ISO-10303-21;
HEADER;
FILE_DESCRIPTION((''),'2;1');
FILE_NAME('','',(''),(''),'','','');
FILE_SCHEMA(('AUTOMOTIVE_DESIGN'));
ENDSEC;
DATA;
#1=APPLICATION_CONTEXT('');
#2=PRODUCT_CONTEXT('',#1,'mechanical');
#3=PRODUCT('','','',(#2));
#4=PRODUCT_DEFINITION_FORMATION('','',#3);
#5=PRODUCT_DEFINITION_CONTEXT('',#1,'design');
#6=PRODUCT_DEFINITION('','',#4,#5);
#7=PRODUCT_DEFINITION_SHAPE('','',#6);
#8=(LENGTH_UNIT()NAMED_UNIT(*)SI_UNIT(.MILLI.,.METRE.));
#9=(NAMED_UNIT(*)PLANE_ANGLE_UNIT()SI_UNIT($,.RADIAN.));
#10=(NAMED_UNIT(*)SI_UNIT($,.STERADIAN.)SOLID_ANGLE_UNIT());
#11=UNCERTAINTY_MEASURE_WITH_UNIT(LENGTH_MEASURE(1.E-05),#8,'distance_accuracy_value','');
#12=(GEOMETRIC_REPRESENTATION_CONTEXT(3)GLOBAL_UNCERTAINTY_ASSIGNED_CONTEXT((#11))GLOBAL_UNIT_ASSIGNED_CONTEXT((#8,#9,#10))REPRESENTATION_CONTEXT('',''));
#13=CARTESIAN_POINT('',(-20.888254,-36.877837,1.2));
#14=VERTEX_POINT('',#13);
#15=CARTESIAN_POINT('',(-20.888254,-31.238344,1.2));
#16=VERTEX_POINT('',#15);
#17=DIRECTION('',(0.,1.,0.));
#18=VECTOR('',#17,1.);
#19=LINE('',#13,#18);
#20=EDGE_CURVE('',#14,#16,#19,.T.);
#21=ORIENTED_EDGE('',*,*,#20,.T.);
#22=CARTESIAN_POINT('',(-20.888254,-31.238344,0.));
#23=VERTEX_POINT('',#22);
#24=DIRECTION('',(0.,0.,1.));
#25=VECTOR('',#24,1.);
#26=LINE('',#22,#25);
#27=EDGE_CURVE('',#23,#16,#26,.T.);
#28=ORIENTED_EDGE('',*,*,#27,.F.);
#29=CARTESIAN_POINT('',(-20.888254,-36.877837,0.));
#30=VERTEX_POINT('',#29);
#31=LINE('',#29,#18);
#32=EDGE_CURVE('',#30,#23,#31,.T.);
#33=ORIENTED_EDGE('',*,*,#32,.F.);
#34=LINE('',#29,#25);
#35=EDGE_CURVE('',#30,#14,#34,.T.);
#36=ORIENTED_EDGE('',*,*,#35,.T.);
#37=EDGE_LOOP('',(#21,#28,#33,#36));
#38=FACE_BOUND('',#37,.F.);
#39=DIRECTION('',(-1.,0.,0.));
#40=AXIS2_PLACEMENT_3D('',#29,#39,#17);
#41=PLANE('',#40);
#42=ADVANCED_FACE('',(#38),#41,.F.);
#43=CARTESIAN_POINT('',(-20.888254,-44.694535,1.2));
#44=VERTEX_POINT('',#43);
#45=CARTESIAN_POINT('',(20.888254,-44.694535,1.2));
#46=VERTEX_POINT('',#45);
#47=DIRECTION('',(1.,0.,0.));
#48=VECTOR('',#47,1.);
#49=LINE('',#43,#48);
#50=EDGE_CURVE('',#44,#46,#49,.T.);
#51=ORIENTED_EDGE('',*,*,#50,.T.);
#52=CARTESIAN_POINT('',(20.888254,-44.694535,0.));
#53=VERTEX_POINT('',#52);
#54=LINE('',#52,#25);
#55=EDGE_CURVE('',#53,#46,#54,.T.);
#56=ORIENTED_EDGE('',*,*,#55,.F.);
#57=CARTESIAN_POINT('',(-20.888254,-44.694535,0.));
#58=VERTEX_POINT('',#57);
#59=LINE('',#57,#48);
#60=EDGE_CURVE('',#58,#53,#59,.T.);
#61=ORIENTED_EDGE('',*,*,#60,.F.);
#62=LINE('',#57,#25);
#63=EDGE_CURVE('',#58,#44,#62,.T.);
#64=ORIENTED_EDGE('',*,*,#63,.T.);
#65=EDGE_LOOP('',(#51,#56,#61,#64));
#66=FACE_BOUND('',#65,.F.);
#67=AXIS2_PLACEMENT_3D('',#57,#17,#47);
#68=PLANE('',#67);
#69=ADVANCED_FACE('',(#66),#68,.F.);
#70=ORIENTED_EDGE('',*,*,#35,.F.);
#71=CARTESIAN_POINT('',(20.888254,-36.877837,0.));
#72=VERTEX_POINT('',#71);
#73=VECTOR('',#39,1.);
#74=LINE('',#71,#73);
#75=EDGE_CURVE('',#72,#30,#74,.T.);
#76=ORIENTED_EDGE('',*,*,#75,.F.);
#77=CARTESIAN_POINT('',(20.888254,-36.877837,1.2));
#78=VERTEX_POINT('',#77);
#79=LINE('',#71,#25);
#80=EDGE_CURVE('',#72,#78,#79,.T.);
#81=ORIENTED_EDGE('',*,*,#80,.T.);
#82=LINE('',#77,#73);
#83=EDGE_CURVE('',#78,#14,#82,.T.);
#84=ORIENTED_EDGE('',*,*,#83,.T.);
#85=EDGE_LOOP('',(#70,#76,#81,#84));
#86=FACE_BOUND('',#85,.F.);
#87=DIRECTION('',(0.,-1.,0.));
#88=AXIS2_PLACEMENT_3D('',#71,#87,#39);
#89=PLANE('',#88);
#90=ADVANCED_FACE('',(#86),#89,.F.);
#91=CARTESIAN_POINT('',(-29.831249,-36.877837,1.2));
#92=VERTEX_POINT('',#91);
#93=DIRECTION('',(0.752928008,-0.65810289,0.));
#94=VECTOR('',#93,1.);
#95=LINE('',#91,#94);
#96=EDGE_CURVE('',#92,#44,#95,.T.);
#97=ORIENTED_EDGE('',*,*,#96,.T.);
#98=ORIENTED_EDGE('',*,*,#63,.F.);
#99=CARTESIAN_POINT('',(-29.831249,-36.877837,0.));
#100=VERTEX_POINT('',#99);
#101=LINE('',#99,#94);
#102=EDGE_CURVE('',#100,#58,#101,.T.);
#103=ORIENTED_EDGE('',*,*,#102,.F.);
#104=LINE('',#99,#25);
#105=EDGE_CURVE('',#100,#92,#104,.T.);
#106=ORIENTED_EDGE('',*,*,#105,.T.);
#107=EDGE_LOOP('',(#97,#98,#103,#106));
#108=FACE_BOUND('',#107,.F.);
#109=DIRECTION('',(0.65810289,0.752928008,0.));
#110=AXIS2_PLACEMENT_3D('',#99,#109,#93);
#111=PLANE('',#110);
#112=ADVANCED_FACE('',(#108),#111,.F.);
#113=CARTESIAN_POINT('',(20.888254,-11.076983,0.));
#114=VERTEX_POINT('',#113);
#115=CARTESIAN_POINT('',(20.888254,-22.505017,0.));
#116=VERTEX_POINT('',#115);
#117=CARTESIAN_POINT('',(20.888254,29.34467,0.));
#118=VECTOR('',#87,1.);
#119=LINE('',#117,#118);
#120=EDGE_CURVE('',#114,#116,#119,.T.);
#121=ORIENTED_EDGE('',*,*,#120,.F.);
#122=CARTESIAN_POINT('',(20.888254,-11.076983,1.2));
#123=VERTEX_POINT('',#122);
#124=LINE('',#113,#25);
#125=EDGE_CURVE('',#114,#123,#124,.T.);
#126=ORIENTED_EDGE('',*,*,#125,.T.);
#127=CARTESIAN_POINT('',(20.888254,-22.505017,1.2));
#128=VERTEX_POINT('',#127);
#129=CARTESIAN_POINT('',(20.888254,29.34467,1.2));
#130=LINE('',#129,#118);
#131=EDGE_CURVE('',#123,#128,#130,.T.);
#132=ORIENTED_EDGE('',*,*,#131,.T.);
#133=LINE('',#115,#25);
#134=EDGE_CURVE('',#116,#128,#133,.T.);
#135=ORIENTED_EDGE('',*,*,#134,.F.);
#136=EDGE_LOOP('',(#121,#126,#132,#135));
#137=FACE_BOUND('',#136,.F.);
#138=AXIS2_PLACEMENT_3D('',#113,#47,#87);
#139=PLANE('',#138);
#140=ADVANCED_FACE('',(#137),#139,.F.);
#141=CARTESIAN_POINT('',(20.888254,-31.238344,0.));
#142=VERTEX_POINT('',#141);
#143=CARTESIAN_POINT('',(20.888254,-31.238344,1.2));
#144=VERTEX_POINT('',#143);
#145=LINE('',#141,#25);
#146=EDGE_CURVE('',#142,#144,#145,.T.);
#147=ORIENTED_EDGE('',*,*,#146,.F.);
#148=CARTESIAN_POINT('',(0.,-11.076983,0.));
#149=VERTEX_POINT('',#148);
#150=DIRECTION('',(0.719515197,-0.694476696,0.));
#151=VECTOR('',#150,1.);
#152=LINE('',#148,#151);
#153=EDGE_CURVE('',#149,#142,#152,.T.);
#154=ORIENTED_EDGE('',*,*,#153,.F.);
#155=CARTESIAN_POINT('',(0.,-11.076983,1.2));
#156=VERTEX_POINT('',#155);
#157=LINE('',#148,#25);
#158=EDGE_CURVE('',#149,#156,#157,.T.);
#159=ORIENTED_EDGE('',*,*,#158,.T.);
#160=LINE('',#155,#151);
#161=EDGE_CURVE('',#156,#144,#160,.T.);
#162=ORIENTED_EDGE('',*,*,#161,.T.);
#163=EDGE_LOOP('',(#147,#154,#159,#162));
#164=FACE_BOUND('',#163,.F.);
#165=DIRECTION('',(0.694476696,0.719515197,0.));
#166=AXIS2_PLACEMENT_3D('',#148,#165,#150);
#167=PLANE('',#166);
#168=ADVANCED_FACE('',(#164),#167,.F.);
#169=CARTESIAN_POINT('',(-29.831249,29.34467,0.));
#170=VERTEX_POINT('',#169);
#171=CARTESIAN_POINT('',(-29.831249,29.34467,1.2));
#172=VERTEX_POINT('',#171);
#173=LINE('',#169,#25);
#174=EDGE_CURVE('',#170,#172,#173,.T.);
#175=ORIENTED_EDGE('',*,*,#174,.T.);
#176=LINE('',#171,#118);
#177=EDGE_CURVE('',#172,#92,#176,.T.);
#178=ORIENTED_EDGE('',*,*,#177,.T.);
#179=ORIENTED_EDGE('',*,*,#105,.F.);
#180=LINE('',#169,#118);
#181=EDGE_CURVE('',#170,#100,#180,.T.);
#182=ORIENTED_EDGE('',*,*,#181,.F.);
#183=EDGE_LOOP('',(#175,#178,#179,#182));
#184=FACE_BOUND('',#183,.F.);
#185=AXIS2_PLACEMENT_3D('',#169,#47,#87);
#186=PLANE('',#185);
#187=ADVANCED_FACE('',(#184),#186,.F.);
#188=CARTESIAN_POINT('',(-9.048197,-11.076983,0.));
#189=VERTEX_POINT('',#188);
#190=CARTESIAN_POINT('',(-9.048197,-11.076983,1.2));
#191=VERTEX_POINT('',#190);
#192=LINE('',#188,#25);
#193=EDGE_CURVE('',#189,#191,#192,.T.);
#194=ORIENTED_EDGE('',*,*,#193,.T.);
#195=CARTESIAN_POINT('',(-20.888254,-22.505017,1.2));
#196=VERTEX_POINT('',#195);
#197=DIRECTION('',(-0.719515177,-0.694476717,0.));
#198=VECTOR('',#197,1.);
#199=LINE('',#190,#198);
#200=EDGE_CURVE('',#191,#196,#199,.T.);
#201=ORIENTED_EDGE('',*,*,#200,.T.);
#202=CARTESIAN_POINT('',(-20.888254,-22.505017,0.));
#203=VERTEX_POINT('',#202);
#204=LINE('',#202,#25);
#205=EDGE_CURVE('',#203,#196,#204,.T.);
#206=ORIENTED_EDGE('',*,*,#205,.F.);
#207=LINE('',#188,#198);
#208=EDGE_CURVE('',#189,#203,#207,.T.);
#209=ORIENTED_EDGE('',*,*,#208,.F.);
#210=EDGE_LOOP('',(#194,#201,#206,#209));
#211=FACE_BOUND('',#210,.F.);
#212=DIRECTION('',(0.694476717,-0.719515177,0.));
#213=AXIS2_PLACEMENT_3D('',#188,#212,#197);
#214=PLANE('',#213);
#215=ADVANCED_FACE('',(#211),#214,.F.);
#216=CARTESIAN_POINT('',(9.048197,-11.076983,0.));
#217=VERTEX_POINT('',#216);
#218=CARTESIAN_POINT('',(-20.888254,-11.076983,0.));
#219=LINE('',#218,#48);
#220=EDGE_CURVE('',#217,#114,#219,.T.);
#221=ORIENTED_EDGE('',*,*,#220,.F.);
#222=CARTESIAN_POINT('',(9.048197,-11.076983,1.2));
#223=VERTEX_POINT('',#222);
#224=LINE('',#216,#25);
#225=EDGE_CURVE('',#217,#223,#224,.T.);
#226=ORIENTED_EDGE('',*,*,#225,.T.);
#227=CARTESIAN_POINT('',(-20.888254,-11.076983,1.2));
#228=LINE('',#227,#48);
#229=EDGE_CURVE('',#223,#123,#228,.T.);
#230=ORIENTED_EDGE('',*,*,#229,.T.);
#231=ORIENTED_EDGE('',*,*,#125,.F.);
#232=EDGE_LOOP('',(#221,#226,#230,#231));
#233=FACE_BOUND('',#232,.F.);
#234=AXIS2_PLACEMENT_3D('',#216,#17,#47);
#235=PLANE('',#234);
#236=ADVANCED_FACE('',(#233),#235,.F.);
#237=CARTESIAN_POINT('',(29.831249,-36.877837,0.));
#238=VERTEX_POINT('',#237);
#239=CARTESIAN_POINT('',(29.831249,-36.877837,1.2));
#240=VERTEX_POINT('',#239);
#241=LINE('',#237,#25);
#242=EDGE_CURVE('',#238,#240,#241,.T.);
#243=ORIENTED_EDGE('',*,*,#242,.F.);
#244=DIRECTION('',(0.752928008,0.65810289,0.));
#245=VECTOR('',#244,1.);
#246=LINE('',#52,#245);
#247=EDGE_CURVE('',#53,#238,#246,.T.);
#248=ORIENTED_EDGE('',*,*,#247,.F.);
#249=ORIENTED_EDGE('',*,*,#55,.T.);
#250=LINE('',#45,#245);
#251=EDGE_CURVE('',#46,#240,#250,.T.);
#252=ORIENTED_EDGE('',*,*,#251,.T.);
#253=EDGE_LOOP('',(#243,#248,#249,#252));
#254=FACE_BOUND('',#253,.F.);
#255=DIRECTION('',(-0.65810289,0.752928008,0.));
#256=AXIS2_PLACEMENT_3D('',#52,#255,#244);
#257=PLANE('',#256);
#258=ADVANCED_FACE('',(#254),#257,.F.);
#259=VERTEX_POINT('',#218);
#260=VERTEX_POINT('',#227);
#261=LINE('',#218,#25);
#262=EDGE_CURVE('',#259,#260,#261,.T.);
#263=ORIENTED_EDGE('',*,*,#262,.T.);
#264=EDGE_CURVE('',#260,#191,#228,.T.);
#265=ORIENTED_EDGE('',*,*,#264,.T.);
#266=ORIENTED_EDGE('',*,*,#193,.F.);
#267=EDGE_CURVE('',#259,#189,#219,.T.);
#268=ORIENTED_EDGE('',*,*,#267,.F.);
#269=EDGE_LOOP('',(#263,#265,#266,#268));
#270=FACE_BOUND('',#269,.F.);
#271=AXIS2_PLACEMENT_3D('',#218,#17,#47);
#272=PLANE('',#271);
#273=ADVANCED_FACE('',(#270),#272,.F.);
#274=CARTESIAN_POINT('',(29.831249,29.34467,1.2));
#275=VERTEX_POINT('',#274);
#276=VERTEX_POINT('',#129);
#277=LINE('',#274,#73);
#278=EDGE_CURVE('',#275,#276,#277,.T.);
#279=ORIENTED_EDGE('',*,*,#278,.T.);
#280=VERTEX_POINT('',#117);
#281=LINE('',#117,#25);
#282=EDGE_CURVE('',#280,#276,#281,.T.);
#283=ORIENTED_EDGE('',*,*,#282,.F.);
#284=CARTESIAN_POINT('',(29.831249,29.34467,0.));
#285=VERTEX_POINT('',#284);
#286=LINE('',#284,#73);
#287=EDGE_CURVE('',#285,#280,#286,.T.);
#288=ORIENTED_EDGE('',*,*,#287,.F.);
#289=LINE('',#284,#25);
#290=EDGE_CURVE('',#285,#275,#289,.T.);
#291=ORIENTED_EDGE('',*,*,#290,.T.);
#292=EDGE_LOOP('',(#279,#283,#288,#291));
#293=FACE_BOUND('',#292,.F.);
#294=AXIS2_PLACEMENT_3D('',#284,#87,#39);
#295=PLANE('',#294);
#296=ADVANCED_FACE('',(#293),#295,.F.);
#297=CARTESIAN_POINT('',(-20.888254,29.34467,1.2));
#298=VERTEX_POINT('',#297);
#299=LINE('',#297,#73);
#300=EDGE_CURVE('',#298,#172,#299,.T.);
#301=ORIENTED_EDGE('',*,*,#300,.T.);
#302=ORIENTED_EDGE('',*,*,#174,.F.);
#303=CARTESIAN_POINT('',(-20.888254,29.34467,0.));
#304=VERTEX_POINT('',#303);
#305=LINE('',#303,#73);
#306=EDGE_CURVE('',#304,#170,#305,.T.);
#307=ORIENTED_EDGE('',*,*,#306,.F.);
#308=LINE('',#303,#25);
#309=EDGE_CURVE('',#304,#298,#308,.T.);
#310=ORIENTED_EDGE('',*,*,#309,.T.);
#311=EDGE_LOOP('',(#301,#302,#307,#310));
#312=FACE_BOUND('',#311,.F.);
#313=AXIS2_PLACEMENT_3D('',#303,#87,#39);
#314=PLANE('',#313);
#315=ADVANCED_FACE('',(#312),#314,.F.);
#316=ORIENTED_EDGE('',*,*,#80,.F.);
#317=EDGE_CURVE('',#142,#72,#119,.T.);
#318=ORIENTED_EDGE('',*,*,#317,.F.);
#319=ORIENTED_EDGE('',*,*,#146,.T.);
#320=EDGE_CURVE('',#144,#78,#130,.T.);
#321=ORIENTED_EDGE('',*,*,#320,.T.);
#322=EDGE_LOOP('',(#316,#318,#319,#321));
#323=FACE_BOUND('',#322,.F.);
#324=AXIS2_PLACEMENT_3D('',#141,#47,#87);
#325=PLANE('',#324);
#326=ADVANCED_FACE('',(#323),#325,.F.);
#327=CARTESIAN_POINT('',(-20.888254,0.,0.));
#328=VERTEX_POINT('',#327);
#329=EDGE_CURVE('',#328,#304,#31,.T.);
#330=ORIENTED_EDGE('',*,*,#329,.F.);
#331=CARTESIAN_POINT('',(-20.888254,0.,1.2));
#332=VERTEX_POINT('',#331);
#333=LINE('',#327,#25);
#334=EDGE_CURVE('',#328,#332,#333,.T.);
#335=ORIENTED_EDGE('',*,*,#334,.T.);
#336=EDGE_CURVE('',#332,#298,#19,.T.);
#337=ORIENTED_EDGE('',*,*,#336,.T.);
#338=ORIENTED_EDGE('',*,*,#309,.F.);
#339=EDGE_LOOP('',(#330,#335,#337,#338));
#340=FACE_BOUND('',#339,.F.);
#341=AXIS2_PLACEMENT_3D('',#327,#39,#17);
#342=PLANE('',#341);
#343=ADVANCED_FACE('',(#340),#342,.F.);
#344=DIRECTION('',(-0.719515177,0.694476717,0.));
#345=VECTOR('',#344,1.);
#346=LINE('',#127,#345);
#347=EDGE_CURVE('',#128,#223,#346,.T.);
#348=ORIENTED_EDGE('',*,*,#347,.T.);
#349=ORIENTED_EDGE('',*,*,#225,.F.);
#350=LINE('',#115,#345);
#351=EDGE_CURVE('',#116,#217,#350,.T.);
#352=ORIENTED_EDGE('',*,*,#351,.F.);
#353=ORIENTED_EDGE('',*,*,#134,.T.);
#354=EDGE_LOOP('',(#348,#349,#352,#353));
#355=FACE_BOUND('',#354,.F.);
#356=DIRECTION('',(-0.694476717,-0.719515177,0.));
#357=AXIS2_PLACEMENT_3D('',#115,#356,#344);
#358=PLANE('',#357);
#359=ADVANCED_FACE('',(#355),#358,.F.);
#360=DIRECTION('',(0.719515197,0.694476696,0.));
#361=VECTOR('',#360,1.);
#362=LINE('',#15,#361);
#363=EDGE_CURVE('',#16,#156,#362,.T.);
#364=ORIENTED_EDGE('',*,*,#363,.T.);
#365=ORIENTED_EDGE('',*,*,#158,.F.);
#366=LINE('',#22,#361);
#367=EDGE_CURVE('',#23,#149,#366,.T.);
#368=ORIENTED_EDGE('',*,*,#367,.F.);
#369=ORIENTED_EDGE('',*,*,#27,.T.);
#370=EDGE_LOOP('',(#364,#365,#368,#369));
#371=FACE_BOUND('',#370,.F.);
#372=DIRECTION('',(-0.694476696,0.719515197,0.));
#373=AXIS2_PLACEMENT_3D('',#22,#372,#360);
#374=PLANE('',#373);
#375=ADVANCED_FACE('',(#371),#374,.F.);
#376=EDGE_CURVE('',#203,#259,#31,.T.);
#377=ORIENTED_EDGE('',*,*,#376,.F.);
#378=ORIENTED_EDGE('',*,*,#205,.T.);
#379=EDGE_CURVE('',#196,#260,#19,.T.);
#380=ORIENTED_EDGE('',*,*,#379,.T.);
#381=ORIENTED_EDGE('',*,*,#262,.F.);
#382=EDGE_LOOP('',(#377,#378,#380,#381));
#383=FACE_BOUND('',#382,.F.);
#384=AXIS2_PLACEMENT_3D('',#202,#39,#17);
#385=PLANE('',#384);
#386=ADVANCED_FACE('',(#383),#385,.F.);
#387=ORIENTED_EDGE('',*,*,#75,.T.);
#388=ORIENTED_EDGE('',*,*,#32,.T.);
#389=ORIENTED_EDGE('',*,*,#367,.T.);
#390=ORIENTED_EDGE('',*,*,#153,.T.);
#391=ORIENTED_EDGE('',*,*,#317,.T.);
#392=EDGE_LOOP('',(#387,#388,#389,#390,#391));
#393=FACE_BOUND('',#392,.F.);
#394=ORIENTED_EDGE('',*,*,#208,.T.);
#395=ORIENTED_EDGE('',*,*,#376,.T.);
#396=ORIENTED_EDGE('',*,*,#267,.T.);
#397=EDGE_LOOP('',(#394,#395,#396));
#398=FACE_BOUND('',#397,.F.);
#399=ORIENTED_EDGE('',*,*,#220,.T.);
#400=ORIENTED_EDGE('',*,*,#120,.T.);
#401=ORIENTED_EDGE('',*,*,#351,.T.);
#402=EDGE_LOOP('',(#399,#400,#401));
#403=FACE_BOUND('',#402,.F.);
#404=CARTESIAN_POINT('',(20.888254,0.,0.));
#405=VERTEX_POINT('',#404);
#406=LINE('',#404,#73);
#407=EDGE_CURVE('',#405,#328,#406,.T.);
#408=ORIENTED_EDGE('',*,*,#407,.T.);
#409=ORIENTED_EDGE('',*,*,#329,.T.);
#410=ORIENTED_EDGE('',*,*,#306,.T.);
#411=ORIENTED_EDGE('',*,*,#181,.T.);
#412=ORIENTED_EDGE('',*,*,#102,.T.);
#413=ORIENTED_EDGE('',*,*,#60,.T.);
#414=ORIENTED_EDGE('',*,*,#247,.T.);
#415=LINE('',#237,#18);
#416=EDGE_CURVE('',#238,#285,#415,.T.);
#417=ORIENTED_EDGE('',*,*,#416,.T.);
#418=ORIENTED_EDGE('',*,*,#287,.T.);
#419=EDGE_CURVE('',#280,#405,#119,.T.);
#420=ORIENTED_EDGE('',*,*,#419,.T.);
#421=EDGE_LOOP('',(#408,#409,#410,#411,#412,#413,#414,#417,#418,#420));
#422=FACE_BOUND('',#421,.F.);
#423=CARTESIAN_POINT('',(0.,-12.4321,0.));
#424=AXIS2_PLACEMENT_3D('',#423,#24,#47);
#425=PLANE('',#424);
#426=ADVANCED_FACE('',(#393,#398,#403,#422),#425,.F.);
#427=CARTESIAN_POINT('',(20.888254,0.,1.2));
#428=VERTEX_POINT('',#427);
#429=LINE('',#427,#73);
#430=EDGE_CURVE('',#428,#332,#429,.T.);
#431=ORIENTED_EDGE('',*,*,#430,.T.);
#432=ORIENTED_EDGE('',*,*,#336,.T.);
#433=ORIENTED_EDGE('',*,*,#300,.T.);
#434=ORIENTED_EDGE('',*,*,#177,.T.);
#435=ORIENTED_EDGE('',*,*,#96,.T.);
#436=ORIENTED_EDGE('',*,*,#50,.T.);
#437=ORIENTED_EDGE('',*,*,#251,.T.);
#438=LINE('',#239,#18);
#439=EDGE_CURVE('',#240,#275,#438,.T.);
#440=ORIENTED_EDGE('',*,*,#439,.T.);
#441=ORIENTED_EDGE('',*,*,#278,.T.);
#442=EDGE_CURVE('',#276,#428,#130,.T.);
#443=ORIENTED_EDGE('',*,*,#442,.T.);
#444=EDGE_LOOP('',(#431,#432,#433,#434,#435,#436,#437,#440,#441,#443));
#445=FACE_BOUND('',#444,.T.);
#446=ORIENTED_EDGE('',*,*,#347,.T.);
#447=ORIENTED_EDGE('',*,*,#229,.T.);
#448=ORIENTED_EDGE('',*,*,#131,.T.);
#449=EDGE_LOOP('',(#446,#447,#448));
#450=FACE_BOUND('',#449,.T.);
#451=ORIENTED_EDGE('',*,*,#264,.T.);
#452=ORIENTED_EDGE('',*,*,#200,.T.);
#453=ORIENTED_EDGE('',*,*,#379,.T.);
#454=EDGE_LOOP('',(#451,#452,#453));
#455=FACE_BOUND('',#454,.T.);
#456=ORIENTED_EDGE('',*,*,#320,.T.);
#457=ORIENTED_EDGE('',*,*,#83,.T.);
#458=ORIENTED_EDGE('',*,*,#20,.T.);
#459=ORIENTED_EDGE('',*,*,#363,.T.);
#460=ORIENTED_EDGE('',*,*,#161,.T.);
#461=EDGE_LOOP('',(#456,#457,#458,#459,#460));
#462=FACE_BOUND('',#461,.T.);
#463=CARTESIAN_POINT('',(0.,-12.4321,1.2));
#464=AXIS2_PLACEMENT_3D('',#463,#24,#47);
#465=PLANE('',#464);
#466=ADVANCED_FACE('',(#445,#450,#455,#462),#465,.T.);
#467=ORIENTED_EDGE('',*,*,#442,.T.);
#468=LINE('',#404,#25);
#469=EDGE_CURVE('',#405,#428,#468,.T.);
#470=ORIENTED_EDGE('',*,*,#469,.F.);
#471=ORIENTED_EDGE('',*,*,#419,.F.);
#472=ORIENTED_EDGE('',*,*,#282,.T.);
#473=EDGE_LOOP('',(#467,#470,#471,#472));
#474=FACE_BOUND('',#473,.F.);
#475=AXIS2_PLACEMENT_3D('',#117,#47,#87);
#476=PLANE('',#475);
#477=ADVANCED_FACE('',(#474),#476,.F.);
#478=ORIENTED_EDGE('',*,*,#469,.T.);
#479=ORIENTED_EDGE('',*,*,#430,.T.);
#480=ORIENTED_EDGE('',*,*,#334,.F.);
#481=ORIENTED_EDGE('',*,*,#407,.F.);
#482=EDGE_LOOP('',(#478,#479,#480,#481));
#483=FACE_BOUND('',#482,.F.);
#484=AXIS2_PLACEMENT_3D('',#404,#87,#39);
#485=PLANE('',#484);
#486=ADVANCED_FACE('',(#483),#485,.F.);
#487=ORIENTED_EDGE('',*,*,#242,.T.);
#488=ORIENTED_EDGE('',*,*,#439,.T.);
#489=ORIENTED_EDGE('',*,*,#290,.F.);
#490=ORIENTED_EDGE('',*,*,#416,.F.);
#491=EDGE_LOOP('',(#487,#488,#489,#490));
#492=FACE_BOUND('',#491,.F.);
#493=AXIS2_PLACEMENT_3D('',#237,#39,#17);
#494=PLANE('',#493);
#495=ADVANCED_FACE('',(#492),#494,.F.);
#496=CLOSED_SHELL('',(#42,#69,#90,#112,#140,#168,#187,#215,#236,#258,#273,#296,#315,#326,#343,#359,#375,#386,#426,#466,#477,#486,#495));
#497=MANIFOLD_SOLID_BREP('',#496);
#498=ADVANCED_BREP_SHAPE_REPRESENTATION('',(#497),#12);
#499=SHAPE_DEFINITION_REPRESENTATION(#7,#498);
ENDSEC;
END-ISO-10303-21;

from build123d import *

# Parameters (mm, degrees)
F1_DEPTH = 1.2


with BuildPart() as f1:
    # F0 (on Top) → F1 (new body)
    with BuildSketch(Plane.XY):
        Polygon((20.888254, -36.877837), (-20.888254, -36.877837), (-20.888254, -31.238344), (-20.888254, -22.505017), (-20.888254, -11.076983), (-20.888254, 0), (-20.888254, 29.34467), (-29.831249, 29.34467), (-29.831249, -36.877837), (-20.888254, -44.694535), (0, -44.694535), (20.888254, -44.694535), (29.831249, -36.877837), (29.831249, 29.34467), (20.888254, 29.34467), (20.888254, 0), (20.888254, -11.076983), (20.888254, -22.505017), (20.888254, -31.238344), align=None)
        Polygon((-9.048197, -11.076983), (0, -11.076983), (9.048197, -11.076983), (20.888254, -11.076983), (20.888254, 0), (-20.888254, 0), (-20.888254, -11.076983), align=None)
        Polygon((-20.888254, -22.505017), (-20.888254, -31.238344), (0, -11.076983), (-9.048197, -11.076983), align=None)
        Polygon((0, -11.076983), (20.888254, -31.238344), (20.888254, -22.505017), (9.048197, -11.076983), align=None)
    extrude(amount=F1_DEPTH)


solid = f1.part
